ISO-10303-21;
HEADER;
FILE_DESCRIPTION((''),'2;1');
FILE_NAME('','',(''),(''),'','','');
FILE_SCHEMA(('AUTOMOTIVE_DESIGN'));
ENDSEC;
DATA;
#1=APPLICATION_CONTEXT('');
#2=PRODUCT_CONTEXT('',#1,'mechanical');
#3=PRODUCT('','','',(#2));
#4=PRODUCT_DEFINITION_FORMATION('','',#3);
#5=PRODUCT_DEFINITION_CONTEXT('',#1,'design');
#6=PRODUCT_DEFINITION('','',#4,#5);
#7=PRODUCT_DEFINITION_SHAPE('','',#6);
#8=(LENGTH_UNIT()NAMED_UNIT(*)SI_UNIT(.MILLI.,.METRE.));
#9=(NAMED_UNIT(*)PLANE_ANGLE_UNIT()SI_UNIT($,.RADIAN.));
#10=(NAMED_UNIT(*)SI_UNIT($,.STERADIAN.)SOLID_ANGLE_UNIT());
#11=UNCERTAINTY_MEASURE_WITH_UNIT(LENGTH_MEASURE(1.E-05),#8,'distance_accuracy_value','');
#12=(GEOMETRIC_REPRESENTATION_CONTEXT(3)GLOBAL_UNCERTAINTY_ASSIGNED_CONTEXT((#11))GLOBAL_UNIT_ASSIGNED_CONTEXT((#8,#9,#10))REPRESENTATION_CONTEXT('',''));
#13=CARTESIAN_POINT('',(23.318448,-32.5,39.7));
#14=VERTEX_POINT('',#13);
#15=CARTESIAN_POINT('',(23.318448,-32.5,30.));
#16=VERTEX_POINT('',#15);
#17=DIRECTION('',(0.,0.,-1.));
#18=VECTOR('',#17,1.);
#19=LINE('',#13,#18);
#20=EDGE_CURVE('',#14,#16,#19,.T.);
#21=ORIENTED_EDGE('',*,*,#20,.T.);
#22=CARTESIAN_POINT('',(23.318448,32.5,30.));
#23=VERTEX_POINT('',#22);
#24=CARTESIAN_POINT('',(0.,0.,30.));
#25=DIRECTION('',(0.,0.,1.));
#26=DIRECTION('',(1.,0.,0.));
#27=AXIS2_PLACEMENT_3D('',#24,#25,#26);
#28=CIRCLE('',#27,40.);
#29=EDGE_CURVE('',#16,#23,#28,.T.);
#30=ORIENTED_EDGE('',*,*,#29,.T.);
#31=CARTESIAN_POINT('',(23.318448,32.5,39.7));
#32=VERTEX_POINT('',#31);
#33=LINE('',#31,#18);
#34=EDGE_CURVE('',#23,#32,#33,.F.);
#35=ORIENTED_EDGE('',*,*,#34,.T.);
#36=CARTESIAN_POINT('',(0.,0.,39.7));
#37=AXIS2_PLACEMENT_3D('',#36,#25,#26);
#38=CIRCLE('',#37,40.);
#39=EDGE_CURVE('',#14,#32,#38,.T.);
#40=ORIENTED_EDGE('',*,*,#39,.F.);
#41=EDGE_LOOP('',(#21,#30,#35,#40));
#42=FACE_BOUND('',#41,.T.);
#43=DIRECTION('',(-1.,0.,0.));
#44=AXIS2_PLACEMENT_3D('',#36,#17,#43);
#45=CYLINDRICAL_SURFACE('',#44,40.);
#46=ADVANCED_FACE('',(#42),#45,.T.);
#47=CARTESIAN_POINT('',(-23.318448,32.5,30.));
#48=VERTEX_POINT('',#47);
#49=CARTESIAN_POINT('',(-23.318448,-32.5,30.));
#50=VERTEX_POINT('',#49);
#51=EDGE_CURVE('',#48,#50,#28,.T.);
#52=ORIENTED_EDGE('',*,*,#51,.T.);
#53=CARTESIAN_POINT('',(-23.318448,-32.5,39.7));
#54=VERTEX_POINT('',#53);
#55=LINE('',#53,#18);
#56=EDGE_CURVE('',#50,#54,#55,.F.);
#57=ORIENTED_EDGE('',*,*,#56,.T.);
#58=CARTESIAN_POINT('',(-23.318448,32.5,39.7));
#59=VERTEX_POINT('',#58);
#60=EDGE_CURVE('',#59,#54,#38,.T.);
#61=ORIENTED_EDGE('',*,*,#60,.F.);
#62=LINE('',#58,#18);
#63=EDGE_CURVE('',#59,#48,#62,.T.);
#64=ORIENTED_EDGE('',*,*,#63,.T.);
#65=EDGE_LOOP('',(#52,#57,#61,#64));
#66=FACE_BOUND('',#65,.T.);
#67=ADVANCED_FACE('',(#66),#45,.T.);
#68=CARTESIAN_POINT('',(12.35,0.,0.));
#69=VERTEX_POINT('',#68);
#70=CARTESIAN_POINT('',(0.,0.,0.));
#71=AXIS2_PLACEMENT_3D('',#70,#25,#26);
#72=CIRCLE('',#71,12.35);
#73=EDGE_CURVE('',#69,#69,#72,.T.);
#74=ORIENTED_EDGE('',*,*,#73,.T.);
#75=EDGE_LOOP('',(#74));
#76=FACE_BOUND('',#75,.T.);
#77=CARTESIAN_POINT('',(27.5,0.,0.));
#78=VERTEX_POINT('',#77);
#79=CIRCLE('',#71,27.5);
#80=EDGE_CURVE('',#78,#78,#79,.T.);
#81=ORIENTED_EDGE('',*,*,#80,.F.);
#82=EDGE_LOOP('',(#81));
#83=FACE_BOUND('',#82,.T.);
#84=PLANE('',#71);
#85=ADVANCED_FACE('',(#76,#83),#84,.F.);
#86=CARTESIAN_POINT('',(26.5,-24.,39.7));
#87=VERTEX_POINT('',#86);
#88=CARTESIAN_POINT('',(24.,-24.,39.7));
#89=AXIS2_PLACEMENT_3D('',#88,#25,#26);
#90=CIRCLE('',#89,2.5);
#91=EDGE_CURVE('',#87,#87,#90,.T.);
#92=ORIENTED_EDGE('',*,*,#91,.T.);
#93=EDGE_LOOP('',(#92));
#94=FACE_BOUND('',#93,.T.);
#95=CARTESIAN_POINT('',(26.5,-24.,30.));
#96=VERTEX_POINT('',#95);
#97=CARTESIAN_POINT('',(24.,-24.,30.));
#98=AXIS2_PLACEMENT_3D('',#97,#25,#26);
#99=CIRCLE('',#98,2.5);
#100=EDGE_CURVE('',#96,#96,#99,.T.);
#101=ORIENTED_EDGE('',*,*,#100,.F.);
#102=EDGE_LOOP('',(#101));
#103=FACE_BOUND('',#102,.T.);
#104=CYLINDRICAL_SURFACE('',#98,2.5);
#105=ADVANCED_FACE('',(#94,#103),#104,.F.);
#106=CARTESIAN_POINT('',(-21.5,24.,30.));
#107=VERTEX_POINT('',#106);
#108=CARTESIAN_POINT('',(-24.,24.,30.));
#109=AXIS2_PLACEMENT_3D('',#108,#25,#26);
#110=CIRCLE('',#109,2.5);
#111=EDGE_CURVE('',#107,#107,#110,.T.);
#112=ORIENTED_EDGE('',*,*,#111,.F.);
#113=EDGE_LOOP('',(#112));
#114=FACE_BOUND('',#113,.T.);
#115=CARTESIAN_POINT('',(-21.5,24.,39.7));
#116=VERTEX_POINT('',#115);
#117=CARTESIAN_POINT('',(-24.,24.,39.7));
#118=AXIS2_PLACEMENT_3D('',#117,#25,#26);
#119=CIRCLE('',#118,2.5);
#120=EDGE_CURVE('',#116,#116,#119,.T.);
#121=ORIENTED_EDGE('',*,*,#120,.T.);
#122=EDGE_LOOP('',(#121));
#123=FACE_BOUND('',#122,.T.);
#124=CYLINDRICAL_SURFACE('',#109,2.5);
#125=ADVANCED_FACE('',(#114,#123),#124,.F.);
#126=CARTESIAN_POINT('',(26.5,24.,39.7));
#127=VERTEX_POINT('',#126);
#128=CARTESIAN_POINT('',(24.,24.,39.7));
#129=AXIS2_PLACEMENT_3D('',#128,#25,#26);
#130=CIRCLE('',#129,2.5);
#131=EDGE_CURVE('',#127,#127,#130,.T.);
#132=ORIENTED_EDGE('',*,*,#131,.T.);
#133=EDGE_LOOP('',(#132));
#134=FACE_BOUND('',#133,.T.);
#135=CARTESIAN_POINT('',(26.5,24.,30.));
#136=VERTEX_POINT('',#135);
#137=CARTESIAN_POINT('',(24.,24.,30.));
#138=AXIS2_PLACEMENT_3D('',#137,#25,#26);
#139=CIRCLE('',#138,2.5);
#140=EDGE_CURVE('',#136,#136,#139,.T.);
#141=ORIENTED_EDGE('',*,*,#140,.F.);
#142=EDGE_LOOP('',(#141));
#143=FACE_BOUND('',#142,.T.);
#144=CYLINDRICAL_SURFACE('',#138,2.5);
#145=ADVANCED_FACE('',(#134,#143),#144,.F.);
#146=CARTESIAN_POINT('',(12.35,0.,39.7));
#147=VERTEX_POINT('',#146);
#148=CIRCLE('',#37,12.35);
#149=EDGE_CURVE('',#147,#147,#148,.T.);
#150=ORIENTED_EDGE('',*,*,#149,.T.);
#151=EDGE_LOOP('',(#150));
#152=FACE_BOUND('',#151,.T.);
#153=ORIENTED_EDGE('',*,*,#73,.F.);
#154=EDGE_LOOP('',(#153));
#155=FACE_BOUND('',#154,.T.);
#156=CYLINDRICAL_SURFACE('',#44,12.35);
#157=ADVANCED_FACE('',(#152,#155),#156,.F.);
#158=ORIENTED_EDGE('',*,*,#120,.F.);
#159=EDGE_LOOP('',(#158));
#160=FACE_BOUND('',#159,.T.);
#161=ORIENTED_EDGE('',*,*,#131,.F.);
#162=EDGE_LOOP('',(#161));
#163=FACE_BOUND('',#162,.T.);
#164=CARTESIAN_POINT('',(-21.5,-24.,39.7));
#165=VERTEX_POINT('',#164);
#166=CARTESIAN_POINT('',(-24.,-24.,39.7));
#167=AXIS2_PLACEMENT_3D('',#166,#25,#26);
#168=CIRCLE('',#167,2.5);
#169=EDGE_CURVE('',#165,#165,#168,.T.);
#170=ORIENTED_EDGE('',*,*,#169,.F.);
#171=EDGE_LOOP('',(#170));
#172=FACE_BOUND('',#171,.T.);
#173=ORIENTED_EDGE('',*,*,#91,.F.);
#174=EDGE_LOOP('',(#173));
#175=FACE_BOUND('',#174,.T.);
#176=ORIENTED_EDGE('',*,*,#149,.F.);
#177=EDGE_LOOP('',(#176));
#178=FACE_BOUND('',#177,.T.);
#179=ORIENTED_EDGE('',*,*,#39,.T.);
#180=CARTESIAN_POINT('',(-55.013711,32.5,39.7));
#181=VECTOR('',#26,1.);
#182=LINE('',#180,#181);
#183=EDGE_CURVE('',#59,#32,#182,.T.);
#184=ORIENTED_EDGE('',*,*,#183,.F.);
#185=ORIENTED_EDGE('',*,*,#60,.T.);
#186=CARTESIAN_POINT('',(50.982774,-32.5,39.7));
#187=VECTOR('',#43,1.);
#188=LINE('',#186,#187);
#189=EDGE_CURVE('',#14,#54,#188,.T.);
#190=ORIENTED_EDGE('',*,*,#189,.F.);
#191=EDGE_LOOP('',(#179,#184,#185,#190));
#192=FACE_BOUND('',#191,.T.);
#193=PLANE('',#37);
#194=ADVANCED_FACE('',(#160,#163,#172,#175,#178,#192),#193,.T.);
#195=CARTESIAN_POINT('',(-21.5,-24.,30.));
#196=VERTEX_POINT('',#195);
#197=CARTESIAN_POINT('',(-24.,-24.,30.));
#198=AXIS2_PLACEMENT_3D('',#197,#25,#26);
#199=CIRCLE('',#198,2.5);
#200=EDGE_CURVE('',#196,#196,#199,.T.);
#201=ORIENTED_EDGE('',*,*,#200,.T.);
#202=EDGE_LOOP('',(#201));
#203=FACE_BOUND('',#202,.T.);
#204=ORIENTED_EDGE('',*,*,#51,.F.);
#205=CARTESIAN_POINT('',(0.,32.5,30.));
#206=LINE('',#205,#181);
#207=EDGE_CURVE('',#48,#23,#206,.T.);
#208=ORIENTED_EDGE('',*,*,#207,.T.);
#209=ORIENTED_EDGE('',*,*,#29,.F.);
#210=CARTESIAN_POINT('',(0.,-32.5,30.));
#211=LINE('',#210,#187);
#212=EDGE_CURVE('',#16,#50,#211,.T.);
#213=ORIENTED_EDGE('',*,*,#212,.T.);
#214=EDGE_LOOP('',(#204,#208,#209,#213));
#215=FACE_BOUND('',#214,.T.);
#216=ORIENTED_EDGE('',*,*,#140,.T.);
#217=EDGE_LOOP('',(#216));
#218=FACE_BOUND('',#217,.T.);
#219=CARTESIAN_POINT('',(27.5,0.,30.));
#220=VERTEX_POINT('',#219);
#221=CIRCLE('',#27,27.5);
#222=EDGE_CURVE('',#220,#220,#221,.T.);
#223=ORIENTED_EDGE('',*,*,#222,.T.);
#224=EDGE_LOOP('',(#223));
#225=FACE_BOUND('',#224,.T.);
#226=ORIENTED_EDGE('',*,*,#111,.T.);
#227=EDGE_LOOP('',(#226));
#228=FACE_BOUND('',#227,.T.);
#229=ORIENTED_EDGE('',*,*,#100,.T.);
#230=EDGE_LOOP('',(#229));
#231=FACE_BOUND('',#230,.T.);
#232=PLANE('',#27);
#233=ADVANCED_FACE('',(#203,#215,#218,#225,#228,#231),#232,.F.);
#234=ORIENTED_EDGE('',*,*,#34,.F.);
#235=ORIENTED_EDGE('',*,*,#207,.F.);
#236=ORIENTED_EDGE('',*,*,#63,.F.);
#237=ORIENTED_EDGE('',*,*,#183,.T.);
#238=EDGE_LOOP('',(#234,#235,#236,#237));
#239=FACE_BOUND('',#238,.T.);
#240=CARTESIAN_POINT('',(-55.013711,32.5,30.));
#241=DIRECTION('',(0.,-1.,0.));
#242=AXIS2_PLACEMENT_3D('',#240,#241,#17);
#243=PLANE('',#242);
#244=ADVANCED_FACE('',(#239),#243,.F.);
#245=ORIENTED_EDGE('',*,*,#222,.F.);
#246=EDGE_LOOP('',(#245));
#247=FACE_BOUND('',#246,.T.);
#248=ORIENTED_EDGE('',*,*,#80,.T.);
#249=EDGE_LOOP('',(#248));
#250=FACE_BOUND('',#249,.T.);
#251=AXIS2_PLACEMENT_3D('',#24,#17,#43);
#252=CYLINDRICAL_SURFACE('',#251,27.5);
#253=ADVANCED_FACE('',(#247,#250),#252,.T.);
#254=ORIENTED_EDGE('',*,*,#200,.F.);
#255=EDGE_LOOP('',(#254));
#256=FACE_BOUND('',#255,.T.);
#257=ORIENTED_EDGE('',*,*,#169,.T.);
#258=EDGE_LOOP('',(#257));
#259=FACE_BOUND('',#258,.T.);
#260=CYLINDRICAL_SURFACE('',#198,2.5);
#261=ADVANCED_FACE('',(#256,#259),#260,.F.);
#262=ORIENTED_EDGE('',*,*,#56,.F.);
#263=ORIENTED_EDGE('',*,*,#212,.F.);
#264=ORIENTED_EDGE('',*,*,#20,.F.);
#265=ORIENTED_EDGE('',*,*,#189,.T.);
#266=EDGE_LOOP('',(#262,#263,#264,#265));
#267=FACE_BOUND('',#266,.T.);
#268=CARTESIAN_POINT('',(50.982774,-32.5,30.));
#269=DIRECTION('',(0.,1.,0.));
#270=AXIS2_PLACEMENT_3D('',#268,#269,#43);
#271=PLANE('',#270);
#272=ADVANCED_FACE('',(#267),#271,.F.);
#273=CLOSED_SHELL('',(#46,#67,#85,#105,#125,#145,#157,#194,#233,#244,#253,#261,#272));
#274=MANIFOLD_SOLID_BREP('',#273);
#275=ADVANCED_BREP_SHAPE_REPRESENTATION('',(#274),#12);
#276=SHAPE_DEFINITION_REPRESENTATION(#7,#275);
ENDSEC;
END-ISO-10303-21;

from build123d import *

# Parameters (mm, degrees)
SZKIC1_R                    = 27.5
DODANIE_WYCI_GNI_CIE1_DEPTH = 30
SZKIC2_R                    = 40
DODANIE_WYCI_GNI_CIE2_DEPTH = 9.7
SZKIC3_W                    = 108.783825326
SZKIC3_H                    = 7.5
WYTNIJ_WYCI_GNI_CIE1_DEPTH  = 9.7
SZKIC5_W                    = 108.783825325
SZKIC5_H                    = 7.5
WYTNIJ_WYCI_GNI_CIE2_DEPTH  = 9.7
SZKIC6_R                    = 12.35
WYTNIJ_WYCI_GNI_CIE3_DEPTH  = 39.7
SZKIC7_R                    = 2.5
WYTNIJ_WYCI_GNI_CIE4_DEPTH  = 9.7


with BuildPart() as part:
    # Szkic1 → Dodanie-wyciągnięcie1 (new body)
    with BuildSketch(Plane.XY):
        Circle(SZKIC1_R)
    extrude(amount=DODANIE_WYCI_GNI_CIE1_DEPTH)

    # Szkic2 → Dodanie-wyciągnięcie2 (add)
    with BuildSketch(Plane.XY.offset(30)):
        Circle(SZKIC2_R)
    extrude(amount=DODANIE_WYCI_GNI_CIE2_DEPTH)

    # Szkic3 → Wytnij-wyciągnięcie1 (cut)
    with BuildSketch(Plane.XY.offset(39.7)):
        with Locations((-0.621798063, 36.25)):
            Rectangle(SZKIC3_W, SZKIC3_H)
    extrude(amount=-WYTNIJ_WYCI_GNI_CIE1_DEPTH, mode=Mode.SUBTRACT)

    # Szkic5 → Wytnij-wyciągnięcie2 (cut)
    with BuildSketch(Plane.XY.offset(39.7)):
        with Locations((-3.409138593, -36.25)):
            Rectangle(SZKIC5_W, SZKIC5_H)
    extrude(amount=-WYTNIJ_WYCI_GNI_CIE2_DEPTH, mode=Mode.SUBTRACT)

    # Szkic6 → Wytnij-wyciągnięcie3 (cut)
    with BuildSketch(Plane.XY):
        Circle(SZKIC6_R)
    extrude(amount=WYTNIJ_WYCI_GNI_CIE3_DEPTH, mode=Mode.SUBTRACT)

    # Szkic7 → Wytnij-wyciągnięcie4 (cut)
    with BuildSketch(Plane.XY.offset(39.7)):
        with Locations((-24, 24)):
            Circle(SZKIC7_R)
        with Locations((24, 24)):
            Circle(SZKIC7_R)
        with Locations((-24, -24)):
            Circle(SZKIC7_R)
        with Locations((24, -24)):
            Circle(SZKIC7_R)
    extrude(amount=-WYTNIJ_WYCI_GNI_CIE4_DEPTH, mode=Mode.SUBTRACT)


solid = part.part
